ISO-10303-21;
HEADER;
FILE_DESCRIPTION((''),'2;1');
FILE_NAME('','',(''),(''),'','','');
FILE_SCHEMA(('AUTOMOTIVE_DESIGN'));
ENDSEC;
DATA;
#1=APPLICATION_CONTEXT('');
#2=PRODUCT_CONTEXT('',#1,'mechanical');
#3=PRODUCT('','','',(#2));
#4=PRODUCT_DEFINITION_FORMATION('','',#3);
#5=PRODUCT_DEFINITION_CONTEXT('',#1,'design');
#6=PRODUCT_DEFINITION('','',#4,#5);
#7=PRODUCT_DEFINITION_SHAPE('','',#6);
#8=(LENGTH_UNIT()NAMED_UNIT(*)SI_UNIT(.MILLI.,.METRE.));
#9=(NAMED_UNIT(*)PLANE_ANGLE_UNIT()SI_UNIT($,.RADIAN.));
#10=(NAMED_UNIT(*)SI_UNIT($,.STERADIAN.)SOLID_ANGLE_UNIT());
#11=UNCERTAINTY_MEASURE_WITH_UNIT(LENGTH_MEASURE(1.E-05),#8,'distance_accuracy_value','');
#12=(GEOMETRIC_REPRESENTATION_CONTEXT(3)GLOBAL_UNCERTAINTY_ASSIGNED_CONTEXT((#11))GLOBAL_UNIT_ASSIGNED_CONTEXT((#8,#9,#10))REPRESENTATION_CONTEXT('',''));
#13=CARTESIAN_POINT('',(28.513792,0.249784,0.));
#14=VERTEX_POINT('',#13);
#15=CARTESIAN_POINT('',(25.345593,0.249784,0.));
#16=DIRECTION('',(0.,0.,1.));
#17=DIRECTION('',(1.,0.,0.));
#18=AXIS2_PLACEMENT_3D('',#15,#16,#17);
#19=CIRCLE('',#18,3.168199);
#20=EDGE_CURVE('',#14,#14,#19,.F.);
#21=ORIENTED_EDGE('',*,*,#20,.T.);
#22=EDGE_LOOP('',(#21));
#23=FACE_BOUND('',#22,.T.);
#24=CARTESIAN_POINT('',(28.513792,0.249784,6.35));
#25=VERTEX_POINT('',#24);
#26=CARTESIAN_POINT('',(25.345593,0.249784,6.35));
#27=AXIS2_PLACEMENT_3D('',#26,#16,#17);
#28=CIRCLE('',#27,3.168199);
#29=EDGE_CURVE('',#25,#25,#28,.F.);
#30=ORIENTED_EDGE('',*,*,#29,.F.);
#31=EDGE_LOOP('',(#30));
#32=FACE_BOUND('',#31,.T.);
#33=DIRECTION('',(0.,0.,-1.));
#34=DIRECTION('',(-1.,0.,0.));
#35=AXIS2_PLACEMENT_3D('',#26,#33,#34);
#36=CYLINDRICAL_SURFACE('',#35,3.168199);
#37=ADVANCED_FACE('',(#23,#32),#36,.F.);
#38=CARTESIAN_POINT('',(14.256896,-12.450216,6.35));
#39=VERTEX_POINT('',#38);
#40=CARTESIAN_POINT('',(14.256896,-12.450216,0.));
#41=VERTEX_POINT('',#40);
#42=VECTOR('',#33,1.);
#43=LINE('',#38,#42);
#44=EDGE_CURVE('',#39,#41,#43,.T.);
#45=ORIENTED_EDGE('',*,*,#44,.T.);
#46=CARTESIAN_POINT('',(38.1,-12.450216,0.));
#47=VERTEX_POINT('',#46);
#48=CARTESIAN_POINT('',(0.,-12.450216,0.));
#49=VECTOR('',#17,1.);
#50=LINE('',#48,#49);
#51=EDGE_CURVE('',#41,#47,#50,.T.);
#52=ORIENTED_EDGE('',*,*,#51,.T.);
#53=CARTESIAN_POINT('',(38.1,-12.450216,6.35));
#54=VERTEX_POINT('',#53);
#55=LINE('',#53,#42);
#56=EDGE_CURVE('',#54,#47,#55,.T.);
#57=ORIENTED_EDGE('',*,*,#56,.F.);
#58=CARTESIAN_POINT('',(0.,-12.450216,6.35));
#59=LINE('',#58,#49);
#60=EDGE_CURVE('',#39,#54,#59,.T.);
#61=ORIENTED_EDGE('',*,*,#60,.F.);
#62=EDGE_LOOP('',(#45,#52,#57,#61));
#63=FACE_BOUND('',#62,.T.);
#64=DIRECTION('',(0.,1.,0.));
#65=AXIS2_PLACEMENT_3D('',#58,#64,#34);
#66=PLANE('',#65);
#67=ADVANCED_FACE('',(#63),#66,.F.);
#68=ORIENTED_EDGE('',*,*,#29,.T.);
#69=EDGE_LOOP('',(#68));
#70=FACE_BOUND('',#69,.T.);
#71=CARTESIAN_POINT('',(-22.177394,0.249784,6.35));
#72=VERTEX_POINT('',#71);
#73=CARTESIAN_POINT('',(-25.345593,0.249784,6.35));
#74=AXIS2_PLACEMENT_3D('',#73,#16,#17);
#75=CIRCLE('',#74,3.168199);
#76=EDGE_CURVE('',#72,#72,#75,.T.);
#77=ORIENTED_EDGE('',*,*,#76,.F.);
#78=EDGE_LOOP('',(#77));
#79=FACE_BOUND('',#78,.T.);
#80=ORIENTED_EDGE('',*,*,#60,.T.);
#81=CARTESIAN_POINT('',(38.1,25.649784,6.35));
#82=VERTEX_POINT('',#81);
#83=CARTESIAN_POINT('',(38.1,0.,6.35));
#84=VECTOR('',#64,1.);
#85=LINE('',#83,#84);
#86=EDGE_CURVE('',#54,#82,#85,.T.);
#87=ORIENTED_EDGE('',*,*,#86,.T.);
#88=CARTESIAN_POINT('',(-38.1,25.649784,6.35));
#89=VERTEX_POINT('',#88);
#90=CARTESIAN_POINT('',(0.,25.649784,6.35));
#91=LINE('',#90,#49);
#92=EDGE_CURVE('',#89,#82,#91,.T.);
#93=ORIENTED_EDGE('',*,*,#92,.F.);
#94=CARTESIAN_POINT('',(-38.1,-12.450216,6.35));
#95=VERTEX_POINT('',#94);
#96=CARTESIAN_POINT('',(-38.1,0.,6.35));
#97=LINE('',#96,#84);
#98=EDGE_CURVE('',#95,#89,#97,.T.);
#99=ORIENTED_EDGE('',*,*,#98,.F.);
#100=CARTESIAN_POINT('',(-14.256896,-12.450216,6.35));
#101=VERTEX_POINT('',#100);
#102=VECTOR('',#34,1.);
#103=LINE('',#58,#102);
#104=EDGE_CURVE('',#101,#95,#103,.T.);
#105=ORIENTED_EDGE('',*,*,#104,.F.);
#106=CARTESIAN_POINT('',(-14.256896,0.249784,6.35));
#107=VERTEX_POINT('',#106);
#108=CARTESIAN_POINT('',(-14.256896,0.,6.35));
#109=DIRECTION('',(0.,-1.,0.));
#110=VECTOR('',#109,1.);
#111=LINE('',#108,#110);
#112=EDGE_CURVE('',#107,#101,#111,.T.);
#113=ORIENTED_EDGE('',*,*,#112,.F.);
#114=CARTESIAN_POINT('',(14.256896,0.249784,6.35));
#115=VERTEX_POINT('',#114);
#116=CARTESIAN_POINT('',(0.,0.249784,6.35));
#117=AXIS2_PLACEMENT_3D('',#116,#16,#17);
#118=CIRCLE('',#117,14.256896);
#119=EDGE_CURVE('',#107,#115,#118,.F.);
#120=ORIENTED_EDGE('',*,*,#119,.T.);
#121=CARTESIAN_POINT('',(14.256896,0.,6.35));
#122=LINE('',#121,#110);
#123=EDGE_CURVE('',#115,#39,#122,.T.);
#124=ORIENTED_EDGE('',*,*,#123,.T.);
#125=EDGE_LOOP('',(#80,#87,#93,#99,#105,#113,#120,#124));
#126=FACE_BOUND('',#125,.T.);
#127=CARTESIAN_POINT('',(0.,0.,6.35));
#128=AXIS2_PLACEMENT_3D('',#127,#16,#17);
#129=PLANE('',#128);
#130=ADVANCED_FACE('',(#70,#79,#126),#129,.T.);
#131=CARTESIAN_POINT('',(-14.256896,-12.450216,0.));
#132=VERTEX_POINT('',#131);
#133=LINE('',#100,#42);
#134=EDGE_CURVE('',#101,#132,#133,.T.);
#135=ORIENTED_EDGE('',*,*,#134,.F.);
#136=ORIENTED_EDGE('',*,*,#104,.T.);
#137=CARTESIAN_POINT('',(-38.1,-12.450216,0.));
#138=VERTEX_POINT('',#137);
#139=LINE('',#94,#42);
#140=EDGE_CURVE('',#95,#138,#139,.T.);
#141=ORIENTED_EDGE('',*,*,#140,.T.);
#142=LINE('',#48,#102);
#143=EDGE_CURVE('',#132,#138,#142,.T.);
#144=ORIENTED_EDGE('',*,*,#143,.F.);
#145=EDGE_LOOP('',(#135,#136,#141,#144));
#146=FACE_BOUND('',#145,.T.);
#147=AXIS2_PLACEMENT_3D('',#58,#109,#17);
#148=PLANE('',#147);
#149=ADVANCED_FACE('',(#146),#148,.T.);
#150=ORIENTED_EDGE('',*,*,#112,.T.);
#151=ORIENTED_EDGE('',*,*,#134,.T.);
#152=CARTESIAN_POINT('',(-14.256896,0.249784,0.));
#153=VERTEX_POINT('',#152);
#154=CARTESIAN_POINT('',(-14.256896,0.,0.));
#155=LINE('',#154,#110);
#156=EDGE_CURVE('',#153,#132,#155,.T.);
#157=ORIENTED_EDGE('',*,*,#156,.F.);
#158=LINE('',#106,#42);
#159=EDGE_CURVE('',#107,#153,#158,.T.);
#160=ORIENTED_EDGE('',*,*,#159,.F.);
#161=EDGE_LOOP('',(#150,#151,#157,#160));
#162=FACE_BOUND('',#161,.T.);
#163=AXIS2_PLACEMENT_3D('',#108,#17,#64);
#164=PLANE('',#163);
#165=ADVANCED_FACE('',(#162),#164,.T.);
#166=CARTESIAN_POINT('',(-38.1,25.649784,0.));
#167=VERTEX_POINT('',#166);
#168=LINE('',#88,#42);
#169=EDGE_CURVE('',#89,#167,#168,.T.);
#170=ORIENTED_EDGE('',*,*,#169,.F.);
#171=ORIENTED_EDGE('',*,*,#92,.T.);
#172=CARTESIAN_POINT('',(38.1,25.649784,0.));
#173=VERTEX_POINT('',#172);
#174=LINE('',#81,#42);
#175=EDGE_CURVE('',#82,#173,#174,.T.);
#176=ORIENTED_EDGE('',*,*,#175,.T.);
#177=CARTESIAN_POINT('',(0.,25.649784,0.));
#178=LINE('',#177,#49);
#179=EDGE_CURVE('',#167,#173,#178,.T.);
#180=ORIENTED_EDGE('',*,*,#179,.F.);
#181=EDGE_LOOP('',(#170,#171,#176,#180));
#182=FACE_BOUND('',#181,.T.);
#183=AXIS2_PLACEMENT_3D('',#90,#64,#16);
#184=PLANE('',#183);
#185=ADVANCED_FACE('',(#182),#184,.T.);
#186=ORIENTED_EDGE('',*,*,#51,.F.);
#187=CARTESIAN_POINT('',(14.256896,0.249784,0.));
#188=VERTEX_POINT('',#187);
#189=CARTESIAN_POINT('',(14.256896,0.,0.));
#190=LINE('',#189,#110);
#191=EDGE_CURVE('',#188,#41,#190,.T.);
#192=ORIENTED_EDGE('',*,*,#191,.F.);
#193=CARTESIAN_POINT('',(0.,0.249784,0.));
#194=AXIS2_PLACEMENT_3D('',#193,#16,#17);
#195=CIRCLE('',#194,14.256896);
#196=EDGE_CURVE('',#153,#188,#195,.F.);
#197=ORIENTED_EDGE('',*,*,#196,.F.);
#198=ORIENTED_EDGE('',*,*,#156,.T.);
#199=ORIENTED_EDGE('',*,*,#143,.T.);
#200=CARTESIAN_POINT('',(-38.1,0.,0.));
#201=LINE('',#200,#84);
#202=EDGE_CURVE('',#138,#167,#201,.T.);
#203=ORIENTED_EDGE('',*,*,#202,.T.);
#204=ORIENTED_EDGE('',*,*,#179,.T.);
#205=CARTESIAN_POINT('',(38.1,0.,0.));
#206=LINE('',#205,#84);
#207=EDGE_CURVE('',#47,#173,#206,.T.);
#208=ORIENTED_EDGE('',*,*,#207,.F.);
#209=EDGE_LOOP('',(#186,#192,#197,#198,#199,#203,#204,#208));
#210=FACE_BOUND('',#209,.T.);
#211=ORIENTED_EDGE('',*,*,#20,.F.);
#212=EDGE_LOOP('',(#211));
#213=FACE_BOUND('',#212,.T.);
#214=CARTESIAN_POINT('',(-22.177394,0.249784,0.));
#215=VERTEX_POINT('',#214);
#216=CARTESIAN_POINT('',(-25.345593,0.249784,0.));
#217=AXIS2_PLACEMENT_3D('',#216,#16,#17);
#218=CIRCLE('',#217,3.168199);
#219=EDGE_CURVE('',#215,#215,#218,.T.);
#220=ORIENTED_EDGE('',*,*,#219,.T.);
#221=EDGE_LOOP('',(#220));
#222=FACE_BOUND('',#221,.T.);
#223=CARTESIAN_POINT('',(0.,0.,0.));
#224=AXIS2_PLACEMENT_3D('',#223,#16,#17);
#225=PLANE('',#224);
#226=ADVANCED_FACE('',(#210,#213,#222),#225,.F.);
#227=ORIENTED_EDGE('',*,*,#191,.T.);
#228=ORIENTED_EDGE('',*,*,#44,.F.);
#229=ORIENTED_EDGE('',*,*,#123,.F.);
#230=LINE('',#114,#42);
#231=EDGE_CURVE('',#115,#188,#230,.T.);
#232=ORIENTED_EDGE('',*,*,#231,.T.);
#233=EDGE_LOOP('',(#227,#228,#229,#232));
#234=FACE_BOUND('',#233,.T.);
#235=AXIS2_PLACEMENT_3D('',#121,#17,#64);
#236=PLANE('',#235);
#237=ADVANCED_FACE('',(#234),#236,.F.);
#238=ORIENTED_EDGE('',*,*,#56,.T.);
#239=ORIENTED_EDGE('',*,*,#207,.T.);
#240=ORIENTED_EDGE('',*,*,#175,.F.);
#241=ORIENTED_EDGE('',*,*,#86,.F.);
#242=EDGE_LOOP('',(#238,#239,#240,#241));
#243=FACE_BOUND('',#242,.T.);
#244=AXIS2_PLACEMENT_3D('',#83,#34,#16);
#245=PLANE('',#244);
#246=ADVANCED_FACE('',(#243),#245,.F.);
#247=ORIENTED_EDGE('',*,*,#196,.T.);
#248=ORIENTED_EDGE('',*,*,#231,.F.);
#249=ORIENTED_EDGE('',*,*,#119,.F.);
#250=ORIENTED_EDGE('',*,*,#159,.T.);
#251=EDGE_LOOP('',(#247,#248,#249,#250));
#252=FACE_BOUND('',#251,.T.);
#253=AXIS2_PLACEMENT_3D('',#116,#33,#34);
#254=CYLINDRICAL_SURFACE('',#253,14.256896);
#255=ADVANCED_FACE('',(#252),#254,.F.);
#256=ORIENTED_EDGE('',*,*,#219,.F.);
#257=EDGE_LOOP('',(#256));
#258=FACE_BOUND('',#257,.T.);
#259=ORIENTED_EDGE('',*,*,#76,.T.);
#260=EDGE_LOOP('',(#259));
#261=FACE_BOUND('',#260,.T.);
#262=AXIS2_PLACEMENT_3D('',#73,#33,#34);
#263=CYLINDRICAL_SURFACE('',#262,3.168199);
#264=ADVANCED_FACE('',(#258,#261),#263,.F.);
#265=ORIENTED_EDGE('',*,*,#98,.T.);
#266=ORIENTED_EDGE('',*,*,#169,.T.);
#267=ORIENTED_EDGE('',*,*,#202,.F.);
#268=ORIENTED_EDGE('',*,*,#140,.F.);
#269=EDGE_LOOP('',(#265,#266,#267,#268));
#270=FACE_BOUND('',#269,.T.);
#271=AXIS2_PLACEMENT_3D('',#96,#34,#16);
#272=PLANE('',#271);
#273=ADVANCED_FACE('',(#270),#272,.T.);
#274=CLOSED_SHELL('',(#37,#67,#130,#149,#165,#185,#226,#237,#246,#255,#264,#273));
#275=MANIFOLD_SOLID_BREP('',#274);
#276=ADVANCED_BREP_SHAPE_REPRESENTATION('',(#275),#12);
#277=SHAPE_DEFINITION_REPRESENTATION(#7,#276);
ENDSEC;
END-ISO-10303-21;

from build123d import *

# Parameters (mm, degrees)
SKETCH1_R           = 3.168199077
BOSS_EXTRUDE1_DEPTH = 6.35


with BuildPart() as part:
    # Sketch1 → Boss-Extrude1 (new body)
    with BuildSketch(Plane.XY):
        with BuildLine():
            Line((-14.256895846, 0.249783871), (-14.256895846, -12.450216129))
            Line((-14.256895846, -12.450216129), (-38.1, -12.450216129))
            Line((-38.1, -12.450216129), (-38.1, 25.649783871))
            Line((-38.1, 25.649783871), (38.1, 25.649783871))
            Line((38.1, 25.649783871), (38.1, -12.450216129))
            Line((38.1, -12.450216129), (14.256895846, -12.450216129))
            Line((14.256895846, -12.450216129), (14.256895846, 0.249783871))
            ThreePointArc((14.256895846, 0.249783871), (0, 14.506679717), (-14.256895846, 0.249783871))
        make_face()
        with Locations((-25.345592616, 0.249783871)):
            Circle(SKETCH1_R, mode=Mode.SUBTRACT)
        with Locations((25.345592616, 0.249783871)):
            Circle(SKETCH1_R, mode=Mode.SUBTRACT)
    extrude(amount=BOSS_EXTRUDE1_DEPTH)


solid = part.part
